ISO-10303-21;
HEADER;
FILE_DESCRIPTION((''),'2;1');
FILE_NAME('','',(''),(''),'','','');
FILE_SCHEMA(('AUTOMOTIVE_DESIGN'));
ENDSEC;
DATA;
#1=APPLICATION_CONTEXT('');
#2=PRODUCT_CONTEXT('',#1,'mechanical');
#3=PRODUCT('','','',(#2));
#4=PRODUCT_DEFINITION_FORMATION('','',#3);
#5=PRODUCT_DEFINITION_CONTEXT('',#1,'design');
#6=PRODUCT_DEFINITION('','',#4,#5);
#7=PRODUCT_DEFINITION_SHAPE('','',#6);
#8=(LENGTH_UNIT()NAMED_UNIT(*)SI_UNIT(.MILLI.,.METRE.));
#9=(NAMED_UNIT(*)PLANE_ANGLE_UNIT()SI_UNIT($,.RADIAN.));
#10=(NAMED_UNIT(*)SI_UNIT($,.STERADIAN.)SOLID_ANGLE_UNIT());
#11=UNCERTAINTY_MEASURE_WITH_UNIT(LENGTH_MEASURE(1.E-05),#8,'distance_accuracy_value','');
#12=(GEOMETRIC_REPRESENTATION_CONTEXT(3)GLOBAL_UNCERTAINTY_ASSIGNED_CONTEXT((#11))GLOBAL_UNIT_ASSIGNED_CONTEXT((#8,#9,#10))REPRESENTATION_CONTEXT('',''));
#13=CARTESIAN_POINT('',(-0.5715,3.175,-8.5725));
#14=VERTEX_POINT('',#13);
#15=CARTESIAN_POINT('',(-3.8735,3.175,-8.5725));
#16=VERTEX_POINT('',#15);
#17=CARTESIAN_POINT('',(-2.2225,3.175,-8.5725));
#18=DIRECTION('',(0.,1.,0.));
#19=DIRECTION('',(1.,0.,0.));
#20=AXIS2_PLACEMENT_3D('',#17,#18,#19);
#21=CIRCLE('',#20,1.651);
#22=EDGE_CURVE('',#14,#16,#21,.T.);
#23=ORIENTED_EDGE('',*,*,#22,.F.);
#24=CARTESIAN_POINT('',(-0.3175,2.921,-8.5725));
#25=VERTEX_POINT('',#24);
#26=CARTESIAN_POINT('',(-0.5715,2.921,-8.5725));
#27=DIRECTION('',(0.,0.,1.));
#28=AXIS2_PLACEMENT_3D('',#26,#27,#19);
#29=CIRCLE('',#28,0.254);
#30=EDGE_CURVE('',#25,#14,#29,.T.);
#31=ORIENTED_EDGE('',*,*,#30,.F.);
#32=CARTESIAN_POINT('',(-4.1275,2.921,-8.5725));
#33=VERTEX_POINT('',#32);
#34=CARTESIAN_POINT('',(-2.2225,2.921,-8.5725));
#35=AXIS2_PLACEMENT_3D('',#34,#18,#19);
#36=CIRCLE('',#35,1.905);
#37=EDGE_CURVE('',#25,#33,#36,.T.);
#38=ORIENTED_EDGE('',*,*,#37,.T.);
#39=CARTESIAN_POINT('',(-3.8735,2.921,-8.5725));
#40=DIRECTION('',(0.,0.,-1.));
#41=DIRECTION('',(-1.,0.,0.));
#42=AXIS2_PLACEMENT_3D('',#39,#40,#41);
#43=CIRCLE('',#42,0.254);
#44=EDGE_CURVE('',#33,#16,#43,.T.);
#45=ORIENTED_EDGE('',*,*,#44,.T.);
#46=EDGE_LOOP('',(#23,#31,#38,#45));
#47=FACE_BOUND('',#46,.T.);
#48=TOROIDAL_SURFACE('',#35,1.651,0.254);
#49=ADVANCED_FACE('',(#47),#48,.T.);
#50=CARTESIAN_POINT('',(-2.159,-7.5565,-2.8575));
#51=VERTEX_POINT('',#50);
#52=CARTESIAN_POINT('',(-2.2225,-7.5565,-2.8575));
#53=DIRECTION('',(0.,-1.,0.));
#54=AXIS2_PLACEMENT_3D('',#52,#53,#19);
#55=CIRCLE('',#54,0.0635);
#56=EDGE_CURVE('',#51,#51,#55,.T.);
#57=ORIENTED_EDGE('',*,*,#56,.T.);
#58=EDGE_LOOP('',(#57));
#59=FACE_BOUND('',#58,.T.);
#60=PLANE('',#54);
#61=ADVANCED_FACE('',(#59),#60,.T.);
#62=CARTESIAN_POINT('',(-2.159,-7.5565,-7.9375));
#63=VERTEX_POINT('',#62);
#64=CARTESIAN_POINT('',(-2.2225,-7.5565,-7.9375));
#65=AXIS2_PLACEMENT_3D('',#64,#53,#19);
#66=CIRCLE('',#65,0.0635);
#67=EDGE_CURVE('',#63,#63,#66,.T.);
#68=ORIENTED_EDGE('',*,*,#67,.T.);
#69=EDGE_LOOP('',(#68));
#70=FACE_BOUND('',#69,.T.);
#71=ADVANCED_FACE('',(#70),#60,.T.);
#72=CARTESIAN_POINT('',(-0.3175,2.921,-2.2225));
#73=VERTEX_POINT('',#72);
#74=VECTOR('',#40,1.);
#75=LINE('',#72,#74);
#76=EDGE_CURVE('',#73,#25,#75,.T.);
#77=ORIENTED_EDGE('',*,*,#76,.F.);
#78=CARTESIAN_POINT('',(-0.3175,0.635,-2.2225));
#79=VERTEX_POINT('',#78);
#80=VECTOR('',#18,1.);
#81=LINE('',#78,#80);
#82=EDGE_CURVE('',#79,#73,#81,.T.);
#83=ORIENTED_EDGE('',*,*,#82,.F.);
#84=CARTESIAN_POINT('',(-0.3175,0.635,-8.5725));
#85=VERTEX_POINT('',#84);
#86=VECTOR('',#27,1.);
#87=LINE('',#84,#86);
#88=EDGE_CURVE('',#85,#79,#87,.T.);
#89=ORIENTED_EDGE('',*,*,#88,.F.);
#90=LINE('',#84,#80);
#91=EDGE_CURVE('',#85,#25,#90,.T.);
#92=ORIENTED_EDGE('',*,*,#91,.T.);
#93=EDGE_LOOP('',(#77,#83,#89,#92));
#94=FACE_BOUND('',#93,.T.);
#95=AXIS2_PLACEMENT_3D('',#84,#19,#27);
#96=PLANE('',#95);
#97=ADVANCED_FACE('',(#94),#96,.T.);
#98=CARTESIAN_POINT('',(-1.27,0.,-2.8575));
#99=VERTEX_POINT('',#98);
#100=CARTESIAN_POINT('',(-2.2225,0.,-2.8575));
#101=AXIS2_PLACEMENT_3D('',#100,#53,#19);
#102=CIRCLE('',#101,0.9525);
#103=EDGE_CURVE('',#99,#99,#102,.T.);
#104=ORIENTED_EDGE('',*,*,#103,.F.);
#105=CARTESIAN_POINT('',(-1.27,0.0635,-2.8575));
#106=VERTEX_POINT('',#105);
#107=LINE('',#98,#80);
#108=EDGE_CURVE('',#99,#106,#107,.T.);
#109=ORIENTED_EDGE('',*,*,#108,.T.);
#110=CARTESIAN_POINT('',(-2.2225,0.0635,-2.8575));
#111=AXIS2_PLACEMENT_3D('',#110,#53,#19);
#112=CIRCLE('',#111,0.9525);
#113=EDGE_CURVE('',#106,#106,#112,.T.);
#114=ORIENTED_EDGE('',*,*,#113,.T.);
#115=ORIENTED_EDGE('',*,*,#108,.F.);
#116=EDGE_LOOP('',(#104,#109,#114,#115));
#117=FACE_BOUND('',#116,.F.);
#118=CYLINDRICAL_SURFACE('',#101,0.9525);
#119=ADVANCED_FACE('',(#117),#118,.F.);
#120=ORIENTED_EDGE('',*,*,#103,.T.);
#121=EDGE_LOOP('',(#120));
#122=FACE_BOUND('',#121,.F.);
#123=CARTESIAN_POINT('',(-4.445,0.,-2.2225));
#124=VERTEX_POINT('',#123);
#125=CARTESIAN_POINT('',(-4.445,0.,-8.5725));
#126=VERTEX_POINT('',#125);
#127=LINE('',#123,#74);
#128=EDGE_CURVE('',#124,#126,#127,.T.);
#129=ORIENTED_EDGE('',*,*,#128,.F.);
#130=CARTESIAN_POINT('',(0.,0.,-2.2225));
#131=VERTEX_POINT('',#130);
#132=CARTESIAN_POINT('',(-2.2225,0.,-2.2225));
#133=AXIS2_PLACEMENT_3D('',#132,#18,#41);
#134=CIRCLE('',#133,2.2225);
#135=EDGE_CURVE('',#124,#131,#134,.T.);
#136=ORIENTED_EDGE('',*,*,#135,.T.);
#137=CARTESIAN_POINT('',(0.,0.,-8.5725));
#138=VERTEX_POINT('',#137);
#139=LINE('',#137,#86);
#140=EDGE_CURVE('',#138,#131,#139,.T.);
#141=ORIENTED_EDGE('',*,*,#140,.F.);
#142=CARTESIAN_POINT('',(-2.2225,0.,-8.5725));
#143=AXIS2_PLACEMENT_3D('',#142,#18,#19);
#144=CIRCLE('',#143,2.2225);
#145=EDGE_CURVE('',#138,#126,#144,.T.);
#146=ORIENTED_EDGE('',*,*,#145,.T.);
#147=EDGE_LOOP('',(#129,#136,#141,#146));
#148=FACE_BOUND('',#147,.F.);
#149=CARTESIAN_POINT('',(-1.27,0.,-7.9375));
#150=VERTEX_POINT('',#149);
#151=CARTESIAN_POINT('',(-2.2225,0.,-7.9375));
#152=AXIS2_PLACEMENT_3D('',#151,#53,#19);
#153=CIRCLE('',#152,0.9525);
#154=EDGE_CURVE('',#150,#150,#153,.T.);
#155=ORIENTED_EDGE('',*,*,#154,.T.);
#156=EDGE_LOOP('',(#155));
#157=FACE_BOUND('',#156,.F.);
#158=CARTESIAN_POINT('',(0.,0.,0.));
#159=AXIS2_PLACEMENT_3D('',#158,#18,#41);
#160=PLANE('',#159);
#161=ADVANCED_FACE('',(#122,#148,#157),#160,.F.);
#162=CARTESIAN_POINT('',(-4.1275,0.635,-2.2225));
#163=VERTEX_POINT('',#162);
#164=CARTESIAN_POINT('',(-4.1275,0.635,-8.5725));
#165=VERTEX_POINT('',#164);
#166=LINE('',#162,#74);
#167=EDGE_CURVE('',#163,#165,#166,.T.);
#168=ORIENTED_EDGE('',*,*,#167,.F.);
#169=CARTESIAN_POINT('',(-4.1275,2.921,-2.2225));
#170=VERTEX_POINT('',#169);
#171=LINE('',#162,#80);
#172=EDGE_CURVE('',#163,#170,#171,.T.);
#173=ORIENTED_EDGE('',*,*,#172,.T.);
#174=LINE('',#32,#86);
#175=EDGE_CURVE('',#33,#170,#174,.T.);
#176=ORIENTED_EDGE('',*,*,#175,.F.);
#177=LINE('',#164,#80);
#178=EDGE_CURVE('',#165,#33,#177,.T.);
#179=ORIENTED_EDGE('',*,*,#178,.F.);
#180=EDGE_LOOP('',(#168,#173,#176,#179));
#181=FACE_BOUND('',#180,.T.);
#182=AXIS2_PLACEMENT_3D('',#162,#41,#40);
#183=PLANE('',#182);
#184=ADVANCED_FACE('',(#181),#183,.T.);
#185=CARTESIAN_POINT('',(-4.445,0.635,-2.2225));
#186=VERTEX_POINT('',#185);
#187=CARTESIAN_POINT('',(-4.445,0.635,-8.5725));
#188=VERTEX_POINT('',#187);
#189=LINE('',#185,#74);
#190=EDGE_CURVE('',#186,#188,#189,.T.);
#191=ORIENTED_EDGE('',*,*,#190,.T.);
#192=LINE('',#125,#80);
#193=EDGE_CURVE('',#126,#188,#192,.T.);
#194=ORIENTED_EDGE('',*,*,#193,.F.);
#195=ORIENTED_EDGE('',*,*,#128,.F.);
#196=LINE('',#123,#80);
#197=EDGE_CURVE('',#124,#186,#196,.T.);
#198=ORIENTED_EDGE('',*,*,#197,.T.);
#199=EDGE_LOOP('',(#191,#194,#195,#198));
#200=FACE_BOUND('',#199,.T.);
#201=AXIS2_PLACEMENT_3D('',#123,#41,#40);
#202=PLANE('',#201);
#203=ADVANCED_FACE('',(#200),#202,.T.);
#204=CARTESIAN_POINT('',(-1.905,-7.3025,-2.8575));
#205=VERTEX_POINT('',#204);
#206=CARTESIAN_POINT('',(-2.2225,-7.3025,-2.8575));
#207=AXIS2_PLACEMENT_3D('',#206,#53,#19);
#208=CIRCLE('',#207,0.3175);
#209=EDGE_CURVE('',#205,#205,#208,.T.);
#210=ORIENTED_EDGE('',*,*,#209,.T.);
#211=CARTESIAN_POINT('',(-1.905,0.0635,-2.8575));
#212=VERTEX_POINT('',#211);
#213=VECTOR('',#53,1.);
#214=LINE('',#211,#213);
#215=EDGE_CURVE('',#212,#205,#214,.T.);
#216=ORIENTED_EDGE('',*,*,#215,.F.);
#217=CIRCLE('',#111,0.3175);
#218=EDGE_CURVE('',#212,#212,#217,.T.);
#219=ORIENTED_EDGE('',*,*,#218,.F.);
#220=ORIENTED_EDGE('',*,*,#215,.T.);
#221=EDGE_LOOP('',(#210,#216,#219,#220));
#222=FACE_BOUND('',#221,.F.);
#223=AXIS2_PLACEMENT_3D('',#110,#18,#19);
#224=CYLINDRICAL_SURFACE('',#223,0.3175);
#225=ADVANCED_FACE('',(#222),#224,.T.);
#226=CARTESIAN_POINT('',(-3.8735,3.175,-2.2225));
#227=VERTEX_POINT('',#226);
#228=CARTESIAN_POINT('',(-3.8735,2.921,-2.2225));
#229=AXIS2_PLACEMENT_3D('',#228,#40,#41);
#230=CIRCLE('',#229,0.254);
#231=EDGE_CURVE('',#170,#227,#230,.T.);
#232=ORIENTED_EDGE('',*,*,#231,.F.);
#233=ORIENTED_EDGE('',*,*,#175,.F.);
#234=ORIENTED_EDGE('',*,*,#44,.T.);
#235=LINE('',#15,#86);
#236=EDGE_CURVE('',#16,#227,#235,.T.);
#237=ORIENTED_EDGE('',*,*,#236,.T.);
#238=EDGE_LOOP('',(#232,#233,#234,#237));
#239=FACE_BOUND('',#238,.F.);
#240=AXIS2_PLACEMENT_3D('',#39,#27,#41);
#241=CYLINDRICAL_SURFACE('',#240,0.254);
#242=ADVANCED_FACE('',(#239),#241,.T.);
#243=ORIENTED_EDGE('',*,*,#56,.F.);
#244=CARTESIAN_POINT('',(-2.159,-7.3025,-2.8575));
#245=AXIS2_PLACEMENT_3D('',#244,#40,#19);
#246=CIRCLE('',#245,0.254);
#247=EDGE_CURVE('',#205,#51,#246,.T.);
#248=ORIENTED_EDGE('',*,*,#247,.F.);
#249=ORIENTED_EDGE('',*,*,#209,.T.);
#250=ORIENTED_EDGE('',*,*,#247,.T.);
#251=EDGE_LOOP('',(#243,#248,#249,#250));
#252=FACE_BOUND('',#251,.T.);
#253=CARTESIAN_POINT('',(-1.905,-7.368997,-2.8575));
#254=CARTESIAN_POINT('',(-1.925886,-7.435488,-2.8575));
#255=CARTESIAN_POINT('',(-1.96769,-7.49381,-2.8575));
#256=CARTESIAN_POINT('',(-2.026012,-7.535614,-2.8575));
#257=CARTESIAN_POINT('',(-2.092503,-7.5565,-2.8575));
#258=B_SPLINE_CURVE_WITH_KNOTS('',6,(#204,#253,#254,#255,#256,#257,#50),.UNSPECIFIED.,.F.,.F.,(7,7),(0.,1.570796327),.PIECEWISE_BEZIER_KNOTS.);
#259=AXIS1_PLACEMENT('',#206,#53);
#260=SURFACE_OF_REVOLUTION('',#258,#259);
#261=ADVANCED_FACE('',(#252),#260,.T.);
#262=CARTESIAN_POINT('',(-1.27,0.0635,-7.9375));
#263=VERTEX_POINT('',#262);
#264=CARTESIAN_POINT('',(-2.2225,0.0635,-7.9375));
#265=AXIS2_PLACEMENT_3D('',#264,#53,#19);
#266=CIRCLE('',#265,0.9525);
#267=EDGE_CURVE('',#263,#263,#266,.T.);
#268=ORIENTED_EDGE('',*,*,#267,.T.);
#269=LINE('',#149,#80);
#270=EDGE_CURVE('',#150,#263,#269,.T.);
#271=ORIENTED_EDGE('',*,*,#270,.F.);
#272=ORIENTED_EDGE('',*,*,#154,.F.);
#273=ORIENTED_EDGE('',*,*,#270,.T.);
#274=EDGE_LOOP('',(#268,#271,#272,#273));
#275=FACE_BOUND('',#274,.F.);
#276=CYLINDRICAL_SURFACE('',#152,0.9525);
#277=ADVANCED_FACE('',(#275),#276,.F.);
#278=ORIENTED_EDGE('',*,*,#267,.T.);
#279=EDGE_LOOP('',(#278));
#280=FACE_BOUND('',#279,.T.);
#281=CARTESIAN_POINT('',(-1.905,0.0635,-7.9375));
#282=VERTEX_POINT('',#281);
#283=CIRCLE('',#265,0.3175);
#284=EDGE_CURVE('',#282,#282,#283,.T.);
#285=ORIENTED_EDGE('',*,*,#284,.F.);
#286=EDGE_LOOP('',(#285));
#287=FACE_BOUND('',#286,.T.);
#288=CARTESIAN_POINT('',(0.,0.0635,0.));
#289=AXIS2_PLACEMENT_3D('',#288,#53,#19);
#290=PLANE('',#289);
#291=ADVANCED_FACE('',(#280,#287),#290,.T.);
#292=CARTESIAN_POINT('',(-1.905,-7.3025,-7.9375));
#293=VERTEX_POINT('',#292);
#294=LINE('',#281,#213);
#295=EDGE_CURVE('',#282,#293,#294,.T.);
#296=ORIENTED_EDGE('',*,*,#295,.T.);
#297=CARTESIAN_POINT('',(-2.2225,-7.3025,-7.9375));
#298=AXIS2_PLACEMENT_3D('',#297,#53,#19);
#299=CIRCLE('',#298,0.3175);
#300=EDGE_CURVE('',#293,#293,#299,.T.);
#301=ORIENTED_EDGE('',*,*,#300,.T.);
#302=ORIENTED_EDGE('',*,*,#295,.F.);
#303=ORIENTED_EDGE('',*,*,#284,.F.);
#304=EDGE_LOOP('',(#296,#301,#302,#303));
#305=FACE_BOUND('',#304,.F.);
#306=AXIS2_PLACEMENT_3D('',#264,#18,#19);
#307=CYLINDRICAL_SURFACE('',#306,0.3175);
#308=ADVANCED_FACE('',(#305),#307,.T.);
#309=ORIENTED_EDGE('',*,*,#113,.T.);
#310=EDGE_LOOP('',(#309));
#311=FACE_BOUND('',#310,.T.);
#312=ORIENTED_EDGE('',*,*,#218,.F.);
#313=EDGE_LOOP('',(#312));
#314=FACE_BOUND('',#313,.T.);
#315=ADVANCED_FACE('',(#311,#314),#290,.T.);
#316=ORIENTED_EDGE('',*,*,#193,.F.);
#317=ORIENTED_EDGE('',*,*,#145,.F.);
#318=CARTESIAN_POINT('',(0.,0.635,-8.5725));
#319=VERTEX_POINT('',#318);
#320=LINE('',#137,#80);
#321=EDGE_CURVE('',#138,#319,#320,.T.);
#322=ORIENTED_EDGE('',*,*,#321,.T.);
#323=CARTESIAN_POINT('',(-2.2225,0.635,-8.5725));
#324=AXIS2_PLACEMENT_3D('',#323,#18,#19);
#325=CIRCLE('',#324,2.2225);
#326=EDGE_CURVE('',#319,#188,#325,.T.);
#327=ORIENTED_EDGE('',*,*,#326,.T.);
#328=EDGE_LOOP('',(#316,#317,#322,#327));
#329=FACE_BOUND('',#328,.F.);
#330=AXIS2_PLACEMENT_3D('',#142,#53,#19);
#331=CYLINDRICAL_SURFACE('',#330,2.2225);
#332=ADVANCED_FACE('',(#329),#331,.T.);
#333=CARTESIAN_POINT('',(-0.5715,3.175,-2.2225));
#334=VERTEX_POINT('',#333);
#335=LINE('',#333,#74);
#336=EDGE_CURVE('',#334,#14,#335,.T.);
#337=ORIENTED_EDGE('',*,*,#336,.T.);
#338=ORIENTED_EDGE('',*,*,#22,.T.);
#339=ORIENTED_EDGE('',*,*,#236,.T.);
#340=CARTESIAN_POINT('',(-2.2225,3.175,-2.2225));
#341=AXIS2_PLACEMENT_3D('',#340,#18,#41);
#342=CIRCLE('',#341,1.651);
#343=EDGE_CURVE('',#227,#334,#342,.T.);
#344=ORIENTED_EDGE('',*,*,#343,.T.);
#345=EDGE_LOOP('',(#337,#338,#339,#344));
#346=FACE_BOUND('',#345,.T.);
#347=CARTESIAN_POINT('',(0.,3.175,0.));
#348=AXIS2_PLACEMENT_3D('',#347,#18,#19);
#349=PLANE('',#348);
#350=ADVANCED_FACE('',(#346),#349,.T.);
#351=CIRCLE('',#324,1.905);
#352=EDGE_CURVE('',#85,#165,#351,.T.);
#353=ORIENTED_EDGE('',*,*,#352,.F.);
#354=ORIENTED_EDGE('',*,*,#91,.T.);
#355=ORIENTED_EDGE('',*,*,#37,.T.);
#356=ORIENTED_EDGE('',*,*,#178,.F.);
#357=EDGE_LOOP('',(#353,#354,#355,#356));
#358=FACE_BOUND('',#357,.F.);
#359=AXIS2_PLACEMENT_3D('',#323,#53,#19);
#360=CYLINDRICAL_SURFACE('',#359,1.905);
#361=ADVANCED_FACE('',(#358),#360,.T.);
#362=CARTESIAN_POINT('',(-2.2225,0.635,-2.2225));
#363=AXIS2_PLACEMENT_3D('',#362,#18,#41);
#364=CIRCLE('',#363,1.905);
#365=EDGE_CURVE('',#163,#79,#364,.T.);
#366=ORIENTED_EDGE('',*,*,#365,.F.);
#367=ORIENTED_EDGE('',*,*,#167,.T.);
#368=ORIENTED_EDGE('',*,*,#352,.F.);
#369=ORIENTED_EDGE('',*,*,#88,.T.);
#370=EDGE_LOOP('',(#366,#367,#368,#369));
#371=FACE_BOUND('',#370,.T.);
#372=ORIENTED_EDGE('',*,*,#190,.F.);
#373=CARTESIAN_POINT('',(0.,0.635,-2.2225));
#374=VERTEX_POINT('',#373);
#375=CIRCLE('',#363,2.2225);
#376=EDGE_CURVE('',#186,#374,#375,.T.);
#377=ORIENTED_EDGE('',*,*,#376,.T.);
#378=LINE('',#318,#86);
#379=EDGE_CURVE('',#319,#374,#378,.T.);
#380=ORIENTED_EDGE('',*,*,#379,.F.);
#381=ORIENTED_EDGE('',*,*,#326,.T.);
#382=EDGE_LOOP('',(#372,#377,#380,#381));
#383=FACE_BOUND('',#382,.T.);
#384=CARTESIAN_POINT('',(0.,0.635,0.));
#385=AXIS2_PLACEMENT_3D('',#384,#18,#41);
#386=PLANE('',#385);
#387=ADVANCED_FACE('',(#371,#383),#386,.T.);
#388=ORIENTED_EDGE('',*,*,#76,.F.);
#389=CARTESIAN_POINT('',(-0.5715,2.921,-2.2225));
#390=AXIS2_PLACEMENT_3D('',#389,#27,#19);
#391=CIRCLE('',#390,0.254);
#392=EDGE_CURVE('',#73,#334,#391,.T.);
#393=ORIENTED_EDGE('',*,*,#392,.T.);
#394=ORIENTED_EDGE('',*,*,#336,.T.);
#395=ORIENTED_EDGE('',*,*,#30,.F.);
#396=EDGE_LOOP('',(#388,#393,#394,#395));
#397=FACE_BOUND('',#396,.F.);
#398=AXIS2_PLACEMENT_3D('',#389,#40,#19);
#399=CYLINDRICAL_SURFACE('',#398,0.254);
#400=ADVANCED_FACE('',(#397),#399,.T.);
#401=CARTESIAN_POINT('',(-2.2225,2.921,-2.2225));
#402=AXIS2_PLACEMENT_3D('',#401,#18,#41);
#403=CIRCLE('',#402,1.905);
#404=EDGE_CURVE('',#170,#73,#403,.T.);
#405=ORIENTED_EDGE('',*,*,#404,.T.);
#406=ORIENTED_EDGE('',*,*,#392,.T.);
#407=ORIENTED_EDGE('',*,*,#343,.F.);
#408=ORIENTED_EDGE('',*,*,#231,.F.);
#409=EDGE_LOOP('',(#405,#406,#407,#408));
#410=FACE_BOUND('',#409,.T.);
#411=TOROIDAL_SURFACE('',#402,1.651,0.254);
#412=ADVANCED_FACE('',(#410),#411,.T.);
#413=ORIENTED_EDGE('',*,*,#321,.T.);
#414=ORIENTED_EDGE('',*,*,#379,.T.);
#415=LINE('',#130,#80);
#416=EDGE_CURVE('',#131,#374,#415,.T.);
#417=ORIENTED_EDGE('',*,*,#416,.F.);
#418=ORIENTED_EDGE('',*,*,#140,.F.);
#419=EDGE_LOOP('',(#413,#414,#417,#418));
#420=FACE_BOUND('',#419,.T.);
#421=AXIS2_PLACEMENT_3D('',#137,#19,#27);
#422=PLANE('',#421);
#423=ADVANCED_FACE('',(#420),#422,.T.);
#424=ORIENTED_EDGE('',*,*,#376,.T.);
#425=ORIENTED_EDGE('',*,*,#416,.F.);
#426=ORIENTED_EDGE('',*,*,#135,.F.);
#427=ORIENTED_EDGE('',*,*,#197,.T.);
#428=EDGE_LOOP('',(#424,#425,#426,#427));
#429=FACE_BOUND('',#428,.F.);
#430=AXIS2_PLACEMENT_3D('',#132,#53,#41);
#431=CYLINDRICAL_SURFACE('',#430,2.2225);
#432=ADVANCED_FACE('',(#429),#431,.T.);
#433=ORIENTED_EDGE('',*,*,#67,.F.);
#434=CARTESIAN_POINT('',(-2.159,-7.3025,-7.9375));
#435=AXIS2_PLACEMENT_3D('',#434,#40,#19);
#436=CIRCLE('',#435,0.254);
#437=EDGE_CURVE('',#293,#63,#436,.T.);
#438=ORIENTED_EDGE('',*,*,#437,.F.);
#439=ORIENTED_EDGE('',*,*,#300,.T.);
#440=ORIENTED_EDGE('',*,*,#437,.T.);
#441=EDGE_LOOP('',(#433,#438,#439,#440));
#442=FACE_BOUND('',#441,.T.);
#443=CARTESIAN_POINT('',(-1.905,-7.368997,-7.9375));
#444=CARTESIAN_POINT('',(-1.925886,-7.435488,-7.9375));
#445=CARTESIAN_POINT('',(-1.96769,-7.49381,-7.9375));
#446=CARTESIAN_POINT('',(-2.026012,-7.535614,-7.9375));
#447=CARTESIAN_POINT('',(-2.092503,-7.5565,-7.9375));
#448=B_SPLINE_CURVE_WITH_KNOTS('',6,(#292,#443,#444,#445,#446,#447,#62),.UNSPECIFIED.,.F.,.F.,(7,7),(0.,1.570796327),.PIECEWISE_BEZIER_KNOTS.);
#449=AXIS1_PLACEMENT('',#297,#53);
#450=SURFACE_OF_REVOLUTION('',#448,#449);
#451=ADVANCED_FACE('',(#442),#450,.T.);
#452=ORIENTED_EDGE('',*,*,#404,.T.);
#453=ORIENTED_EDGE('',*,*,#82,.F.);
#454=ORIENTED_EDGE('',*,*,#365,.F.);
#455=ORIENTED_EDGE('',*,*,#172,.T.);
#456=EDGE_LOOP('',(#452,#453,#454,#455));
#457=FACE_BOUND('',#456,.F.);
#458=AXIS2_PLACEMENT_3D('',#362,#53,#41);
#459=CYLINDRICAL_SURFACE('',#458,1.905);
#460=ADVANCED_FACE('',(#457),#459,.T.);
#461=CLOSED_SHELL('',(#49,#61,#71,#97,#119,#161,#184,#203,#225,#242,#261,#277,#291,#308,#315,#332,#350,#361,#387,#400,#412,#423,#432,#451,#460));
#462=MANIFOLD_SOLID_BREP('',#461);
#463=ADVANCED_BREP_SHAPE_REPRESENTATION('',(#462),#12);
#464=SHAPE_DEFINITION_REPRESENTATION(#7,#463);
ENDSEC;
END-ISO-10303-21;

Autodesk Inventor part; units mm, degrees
ref_plane "YZ Plane" through (0, 0, 0) normal (1, 0, 0) x (0, 1, 0)
ref_plane "XZ Plane" through (0, 0, 0) normal (0, 1, 0) x (-1, 0, 0)
ref_plane "XY Plane" through (0, 0, 0) normal (0, 0, 1) x (1, 0, 0)
sketch "Náčrt1" plane through (0, 0, 0) normal (0, 1, 0) x (-1, 0, 0)
  line L0 (4.445, -2.2225) -> (4.445, -8.5725)
  line L1 (0, -8.5725) -> (0, -2.2225)
  arc A0 (0, -8.5725) -> (4.445, -8.5725) centre (2.2225, -8.5725) ccw
  arc A1 (4.445, -2.2225) -> (0, -2.2225) centre (2.2225, -2.2225) ccw
  point P0 (0, 0)
  dimension "d2" = 4.445
  dimension "d3" = 4.445
extrude "Vysunutí1" add sketch "Náčrt1" along normal blind 0.635
sketch "Náčrt2" plane through (0, 0.635, 0) normal (0, 1, 0) x (1, 0, 0)
  arc A0 (0, 8.5725) -> (-4.445, 8.5725) centre (-2.2225, 8.5725) ccw projected
  arc A1 (-4.445, 2.2225) -> (0, 2.2225) centre (-2.2225, 2.2225) ccw projected
  arc A2 (-4.1275, 2.2225) -> (-0.3175, 2.2225) centre (-2.2225, 2.2225) ccw
  arc A3 (-0.3175, 8.5725) -> (-4.1275, 8.5725) centre (-2.2225, 8.5725) ccw
  line L0 (-4.1275, 2.2225) -> (-4.1275, 8.5725)
  line L1 (-0.3175, 8.5725) -> (-0.3175, 2.2225)
  point P0 (0, 0)
  point P1 (-2.2225, 5.3975)
extrude "Vysunutí2" add sketch "Náčrt2" along normal blind 2.54
fillet "Zaoblení1" radius 0.254 4 edges at (-2.2225, 3.175, -10.4775) (-4.1275, 3.175, -5.3975) (-2.2225, 3.175, -0.3175) (-0.3175, 3.175, -5.3975)
sketch "Náčrt3" plane through (0, 0, 0) normal (0, -1, 0) x (1, 0, 0)
  circle A0 centre (-2.2225, -2.8575) radius 0.9525
  circle A1 centre (-2.2225, -7.9375) radius 0.9525
  point P0 (0, 0)
  dimension "d12" = 1.905
  dimension "d13" = 1.905
extrude "Vysunutí3" cut sketch "Náčrt3" against normal blind 0.0635
sketch "Náčrt4" plane through (-2.2225, 0.0635, -2.8575) normal (0, -1, 0) x (1, 0, 0)
  circle A0 centre (0, 0) radius 0.9525 projected
  circle A1 centre (0, 0) radius 0.3175
  circle A2 centre (0, -5.08) radius 0.9525 projected
  circle A3 centre (0, -5.08) radius 0.3175
  point P0 (2.2225, 2.8575)
  dimension "d16" = 0.635
extrude "Vysunutí4" add sketch "Náčrt4" along normal blind 7.62 contours A1 | A3
fillet "Zaoblení2" radius 0.254 2 edges at (-2.54, -7.5565, -2.8575) (-2.54, -7.5565, -7.9375)
properties part number "Crystal"
